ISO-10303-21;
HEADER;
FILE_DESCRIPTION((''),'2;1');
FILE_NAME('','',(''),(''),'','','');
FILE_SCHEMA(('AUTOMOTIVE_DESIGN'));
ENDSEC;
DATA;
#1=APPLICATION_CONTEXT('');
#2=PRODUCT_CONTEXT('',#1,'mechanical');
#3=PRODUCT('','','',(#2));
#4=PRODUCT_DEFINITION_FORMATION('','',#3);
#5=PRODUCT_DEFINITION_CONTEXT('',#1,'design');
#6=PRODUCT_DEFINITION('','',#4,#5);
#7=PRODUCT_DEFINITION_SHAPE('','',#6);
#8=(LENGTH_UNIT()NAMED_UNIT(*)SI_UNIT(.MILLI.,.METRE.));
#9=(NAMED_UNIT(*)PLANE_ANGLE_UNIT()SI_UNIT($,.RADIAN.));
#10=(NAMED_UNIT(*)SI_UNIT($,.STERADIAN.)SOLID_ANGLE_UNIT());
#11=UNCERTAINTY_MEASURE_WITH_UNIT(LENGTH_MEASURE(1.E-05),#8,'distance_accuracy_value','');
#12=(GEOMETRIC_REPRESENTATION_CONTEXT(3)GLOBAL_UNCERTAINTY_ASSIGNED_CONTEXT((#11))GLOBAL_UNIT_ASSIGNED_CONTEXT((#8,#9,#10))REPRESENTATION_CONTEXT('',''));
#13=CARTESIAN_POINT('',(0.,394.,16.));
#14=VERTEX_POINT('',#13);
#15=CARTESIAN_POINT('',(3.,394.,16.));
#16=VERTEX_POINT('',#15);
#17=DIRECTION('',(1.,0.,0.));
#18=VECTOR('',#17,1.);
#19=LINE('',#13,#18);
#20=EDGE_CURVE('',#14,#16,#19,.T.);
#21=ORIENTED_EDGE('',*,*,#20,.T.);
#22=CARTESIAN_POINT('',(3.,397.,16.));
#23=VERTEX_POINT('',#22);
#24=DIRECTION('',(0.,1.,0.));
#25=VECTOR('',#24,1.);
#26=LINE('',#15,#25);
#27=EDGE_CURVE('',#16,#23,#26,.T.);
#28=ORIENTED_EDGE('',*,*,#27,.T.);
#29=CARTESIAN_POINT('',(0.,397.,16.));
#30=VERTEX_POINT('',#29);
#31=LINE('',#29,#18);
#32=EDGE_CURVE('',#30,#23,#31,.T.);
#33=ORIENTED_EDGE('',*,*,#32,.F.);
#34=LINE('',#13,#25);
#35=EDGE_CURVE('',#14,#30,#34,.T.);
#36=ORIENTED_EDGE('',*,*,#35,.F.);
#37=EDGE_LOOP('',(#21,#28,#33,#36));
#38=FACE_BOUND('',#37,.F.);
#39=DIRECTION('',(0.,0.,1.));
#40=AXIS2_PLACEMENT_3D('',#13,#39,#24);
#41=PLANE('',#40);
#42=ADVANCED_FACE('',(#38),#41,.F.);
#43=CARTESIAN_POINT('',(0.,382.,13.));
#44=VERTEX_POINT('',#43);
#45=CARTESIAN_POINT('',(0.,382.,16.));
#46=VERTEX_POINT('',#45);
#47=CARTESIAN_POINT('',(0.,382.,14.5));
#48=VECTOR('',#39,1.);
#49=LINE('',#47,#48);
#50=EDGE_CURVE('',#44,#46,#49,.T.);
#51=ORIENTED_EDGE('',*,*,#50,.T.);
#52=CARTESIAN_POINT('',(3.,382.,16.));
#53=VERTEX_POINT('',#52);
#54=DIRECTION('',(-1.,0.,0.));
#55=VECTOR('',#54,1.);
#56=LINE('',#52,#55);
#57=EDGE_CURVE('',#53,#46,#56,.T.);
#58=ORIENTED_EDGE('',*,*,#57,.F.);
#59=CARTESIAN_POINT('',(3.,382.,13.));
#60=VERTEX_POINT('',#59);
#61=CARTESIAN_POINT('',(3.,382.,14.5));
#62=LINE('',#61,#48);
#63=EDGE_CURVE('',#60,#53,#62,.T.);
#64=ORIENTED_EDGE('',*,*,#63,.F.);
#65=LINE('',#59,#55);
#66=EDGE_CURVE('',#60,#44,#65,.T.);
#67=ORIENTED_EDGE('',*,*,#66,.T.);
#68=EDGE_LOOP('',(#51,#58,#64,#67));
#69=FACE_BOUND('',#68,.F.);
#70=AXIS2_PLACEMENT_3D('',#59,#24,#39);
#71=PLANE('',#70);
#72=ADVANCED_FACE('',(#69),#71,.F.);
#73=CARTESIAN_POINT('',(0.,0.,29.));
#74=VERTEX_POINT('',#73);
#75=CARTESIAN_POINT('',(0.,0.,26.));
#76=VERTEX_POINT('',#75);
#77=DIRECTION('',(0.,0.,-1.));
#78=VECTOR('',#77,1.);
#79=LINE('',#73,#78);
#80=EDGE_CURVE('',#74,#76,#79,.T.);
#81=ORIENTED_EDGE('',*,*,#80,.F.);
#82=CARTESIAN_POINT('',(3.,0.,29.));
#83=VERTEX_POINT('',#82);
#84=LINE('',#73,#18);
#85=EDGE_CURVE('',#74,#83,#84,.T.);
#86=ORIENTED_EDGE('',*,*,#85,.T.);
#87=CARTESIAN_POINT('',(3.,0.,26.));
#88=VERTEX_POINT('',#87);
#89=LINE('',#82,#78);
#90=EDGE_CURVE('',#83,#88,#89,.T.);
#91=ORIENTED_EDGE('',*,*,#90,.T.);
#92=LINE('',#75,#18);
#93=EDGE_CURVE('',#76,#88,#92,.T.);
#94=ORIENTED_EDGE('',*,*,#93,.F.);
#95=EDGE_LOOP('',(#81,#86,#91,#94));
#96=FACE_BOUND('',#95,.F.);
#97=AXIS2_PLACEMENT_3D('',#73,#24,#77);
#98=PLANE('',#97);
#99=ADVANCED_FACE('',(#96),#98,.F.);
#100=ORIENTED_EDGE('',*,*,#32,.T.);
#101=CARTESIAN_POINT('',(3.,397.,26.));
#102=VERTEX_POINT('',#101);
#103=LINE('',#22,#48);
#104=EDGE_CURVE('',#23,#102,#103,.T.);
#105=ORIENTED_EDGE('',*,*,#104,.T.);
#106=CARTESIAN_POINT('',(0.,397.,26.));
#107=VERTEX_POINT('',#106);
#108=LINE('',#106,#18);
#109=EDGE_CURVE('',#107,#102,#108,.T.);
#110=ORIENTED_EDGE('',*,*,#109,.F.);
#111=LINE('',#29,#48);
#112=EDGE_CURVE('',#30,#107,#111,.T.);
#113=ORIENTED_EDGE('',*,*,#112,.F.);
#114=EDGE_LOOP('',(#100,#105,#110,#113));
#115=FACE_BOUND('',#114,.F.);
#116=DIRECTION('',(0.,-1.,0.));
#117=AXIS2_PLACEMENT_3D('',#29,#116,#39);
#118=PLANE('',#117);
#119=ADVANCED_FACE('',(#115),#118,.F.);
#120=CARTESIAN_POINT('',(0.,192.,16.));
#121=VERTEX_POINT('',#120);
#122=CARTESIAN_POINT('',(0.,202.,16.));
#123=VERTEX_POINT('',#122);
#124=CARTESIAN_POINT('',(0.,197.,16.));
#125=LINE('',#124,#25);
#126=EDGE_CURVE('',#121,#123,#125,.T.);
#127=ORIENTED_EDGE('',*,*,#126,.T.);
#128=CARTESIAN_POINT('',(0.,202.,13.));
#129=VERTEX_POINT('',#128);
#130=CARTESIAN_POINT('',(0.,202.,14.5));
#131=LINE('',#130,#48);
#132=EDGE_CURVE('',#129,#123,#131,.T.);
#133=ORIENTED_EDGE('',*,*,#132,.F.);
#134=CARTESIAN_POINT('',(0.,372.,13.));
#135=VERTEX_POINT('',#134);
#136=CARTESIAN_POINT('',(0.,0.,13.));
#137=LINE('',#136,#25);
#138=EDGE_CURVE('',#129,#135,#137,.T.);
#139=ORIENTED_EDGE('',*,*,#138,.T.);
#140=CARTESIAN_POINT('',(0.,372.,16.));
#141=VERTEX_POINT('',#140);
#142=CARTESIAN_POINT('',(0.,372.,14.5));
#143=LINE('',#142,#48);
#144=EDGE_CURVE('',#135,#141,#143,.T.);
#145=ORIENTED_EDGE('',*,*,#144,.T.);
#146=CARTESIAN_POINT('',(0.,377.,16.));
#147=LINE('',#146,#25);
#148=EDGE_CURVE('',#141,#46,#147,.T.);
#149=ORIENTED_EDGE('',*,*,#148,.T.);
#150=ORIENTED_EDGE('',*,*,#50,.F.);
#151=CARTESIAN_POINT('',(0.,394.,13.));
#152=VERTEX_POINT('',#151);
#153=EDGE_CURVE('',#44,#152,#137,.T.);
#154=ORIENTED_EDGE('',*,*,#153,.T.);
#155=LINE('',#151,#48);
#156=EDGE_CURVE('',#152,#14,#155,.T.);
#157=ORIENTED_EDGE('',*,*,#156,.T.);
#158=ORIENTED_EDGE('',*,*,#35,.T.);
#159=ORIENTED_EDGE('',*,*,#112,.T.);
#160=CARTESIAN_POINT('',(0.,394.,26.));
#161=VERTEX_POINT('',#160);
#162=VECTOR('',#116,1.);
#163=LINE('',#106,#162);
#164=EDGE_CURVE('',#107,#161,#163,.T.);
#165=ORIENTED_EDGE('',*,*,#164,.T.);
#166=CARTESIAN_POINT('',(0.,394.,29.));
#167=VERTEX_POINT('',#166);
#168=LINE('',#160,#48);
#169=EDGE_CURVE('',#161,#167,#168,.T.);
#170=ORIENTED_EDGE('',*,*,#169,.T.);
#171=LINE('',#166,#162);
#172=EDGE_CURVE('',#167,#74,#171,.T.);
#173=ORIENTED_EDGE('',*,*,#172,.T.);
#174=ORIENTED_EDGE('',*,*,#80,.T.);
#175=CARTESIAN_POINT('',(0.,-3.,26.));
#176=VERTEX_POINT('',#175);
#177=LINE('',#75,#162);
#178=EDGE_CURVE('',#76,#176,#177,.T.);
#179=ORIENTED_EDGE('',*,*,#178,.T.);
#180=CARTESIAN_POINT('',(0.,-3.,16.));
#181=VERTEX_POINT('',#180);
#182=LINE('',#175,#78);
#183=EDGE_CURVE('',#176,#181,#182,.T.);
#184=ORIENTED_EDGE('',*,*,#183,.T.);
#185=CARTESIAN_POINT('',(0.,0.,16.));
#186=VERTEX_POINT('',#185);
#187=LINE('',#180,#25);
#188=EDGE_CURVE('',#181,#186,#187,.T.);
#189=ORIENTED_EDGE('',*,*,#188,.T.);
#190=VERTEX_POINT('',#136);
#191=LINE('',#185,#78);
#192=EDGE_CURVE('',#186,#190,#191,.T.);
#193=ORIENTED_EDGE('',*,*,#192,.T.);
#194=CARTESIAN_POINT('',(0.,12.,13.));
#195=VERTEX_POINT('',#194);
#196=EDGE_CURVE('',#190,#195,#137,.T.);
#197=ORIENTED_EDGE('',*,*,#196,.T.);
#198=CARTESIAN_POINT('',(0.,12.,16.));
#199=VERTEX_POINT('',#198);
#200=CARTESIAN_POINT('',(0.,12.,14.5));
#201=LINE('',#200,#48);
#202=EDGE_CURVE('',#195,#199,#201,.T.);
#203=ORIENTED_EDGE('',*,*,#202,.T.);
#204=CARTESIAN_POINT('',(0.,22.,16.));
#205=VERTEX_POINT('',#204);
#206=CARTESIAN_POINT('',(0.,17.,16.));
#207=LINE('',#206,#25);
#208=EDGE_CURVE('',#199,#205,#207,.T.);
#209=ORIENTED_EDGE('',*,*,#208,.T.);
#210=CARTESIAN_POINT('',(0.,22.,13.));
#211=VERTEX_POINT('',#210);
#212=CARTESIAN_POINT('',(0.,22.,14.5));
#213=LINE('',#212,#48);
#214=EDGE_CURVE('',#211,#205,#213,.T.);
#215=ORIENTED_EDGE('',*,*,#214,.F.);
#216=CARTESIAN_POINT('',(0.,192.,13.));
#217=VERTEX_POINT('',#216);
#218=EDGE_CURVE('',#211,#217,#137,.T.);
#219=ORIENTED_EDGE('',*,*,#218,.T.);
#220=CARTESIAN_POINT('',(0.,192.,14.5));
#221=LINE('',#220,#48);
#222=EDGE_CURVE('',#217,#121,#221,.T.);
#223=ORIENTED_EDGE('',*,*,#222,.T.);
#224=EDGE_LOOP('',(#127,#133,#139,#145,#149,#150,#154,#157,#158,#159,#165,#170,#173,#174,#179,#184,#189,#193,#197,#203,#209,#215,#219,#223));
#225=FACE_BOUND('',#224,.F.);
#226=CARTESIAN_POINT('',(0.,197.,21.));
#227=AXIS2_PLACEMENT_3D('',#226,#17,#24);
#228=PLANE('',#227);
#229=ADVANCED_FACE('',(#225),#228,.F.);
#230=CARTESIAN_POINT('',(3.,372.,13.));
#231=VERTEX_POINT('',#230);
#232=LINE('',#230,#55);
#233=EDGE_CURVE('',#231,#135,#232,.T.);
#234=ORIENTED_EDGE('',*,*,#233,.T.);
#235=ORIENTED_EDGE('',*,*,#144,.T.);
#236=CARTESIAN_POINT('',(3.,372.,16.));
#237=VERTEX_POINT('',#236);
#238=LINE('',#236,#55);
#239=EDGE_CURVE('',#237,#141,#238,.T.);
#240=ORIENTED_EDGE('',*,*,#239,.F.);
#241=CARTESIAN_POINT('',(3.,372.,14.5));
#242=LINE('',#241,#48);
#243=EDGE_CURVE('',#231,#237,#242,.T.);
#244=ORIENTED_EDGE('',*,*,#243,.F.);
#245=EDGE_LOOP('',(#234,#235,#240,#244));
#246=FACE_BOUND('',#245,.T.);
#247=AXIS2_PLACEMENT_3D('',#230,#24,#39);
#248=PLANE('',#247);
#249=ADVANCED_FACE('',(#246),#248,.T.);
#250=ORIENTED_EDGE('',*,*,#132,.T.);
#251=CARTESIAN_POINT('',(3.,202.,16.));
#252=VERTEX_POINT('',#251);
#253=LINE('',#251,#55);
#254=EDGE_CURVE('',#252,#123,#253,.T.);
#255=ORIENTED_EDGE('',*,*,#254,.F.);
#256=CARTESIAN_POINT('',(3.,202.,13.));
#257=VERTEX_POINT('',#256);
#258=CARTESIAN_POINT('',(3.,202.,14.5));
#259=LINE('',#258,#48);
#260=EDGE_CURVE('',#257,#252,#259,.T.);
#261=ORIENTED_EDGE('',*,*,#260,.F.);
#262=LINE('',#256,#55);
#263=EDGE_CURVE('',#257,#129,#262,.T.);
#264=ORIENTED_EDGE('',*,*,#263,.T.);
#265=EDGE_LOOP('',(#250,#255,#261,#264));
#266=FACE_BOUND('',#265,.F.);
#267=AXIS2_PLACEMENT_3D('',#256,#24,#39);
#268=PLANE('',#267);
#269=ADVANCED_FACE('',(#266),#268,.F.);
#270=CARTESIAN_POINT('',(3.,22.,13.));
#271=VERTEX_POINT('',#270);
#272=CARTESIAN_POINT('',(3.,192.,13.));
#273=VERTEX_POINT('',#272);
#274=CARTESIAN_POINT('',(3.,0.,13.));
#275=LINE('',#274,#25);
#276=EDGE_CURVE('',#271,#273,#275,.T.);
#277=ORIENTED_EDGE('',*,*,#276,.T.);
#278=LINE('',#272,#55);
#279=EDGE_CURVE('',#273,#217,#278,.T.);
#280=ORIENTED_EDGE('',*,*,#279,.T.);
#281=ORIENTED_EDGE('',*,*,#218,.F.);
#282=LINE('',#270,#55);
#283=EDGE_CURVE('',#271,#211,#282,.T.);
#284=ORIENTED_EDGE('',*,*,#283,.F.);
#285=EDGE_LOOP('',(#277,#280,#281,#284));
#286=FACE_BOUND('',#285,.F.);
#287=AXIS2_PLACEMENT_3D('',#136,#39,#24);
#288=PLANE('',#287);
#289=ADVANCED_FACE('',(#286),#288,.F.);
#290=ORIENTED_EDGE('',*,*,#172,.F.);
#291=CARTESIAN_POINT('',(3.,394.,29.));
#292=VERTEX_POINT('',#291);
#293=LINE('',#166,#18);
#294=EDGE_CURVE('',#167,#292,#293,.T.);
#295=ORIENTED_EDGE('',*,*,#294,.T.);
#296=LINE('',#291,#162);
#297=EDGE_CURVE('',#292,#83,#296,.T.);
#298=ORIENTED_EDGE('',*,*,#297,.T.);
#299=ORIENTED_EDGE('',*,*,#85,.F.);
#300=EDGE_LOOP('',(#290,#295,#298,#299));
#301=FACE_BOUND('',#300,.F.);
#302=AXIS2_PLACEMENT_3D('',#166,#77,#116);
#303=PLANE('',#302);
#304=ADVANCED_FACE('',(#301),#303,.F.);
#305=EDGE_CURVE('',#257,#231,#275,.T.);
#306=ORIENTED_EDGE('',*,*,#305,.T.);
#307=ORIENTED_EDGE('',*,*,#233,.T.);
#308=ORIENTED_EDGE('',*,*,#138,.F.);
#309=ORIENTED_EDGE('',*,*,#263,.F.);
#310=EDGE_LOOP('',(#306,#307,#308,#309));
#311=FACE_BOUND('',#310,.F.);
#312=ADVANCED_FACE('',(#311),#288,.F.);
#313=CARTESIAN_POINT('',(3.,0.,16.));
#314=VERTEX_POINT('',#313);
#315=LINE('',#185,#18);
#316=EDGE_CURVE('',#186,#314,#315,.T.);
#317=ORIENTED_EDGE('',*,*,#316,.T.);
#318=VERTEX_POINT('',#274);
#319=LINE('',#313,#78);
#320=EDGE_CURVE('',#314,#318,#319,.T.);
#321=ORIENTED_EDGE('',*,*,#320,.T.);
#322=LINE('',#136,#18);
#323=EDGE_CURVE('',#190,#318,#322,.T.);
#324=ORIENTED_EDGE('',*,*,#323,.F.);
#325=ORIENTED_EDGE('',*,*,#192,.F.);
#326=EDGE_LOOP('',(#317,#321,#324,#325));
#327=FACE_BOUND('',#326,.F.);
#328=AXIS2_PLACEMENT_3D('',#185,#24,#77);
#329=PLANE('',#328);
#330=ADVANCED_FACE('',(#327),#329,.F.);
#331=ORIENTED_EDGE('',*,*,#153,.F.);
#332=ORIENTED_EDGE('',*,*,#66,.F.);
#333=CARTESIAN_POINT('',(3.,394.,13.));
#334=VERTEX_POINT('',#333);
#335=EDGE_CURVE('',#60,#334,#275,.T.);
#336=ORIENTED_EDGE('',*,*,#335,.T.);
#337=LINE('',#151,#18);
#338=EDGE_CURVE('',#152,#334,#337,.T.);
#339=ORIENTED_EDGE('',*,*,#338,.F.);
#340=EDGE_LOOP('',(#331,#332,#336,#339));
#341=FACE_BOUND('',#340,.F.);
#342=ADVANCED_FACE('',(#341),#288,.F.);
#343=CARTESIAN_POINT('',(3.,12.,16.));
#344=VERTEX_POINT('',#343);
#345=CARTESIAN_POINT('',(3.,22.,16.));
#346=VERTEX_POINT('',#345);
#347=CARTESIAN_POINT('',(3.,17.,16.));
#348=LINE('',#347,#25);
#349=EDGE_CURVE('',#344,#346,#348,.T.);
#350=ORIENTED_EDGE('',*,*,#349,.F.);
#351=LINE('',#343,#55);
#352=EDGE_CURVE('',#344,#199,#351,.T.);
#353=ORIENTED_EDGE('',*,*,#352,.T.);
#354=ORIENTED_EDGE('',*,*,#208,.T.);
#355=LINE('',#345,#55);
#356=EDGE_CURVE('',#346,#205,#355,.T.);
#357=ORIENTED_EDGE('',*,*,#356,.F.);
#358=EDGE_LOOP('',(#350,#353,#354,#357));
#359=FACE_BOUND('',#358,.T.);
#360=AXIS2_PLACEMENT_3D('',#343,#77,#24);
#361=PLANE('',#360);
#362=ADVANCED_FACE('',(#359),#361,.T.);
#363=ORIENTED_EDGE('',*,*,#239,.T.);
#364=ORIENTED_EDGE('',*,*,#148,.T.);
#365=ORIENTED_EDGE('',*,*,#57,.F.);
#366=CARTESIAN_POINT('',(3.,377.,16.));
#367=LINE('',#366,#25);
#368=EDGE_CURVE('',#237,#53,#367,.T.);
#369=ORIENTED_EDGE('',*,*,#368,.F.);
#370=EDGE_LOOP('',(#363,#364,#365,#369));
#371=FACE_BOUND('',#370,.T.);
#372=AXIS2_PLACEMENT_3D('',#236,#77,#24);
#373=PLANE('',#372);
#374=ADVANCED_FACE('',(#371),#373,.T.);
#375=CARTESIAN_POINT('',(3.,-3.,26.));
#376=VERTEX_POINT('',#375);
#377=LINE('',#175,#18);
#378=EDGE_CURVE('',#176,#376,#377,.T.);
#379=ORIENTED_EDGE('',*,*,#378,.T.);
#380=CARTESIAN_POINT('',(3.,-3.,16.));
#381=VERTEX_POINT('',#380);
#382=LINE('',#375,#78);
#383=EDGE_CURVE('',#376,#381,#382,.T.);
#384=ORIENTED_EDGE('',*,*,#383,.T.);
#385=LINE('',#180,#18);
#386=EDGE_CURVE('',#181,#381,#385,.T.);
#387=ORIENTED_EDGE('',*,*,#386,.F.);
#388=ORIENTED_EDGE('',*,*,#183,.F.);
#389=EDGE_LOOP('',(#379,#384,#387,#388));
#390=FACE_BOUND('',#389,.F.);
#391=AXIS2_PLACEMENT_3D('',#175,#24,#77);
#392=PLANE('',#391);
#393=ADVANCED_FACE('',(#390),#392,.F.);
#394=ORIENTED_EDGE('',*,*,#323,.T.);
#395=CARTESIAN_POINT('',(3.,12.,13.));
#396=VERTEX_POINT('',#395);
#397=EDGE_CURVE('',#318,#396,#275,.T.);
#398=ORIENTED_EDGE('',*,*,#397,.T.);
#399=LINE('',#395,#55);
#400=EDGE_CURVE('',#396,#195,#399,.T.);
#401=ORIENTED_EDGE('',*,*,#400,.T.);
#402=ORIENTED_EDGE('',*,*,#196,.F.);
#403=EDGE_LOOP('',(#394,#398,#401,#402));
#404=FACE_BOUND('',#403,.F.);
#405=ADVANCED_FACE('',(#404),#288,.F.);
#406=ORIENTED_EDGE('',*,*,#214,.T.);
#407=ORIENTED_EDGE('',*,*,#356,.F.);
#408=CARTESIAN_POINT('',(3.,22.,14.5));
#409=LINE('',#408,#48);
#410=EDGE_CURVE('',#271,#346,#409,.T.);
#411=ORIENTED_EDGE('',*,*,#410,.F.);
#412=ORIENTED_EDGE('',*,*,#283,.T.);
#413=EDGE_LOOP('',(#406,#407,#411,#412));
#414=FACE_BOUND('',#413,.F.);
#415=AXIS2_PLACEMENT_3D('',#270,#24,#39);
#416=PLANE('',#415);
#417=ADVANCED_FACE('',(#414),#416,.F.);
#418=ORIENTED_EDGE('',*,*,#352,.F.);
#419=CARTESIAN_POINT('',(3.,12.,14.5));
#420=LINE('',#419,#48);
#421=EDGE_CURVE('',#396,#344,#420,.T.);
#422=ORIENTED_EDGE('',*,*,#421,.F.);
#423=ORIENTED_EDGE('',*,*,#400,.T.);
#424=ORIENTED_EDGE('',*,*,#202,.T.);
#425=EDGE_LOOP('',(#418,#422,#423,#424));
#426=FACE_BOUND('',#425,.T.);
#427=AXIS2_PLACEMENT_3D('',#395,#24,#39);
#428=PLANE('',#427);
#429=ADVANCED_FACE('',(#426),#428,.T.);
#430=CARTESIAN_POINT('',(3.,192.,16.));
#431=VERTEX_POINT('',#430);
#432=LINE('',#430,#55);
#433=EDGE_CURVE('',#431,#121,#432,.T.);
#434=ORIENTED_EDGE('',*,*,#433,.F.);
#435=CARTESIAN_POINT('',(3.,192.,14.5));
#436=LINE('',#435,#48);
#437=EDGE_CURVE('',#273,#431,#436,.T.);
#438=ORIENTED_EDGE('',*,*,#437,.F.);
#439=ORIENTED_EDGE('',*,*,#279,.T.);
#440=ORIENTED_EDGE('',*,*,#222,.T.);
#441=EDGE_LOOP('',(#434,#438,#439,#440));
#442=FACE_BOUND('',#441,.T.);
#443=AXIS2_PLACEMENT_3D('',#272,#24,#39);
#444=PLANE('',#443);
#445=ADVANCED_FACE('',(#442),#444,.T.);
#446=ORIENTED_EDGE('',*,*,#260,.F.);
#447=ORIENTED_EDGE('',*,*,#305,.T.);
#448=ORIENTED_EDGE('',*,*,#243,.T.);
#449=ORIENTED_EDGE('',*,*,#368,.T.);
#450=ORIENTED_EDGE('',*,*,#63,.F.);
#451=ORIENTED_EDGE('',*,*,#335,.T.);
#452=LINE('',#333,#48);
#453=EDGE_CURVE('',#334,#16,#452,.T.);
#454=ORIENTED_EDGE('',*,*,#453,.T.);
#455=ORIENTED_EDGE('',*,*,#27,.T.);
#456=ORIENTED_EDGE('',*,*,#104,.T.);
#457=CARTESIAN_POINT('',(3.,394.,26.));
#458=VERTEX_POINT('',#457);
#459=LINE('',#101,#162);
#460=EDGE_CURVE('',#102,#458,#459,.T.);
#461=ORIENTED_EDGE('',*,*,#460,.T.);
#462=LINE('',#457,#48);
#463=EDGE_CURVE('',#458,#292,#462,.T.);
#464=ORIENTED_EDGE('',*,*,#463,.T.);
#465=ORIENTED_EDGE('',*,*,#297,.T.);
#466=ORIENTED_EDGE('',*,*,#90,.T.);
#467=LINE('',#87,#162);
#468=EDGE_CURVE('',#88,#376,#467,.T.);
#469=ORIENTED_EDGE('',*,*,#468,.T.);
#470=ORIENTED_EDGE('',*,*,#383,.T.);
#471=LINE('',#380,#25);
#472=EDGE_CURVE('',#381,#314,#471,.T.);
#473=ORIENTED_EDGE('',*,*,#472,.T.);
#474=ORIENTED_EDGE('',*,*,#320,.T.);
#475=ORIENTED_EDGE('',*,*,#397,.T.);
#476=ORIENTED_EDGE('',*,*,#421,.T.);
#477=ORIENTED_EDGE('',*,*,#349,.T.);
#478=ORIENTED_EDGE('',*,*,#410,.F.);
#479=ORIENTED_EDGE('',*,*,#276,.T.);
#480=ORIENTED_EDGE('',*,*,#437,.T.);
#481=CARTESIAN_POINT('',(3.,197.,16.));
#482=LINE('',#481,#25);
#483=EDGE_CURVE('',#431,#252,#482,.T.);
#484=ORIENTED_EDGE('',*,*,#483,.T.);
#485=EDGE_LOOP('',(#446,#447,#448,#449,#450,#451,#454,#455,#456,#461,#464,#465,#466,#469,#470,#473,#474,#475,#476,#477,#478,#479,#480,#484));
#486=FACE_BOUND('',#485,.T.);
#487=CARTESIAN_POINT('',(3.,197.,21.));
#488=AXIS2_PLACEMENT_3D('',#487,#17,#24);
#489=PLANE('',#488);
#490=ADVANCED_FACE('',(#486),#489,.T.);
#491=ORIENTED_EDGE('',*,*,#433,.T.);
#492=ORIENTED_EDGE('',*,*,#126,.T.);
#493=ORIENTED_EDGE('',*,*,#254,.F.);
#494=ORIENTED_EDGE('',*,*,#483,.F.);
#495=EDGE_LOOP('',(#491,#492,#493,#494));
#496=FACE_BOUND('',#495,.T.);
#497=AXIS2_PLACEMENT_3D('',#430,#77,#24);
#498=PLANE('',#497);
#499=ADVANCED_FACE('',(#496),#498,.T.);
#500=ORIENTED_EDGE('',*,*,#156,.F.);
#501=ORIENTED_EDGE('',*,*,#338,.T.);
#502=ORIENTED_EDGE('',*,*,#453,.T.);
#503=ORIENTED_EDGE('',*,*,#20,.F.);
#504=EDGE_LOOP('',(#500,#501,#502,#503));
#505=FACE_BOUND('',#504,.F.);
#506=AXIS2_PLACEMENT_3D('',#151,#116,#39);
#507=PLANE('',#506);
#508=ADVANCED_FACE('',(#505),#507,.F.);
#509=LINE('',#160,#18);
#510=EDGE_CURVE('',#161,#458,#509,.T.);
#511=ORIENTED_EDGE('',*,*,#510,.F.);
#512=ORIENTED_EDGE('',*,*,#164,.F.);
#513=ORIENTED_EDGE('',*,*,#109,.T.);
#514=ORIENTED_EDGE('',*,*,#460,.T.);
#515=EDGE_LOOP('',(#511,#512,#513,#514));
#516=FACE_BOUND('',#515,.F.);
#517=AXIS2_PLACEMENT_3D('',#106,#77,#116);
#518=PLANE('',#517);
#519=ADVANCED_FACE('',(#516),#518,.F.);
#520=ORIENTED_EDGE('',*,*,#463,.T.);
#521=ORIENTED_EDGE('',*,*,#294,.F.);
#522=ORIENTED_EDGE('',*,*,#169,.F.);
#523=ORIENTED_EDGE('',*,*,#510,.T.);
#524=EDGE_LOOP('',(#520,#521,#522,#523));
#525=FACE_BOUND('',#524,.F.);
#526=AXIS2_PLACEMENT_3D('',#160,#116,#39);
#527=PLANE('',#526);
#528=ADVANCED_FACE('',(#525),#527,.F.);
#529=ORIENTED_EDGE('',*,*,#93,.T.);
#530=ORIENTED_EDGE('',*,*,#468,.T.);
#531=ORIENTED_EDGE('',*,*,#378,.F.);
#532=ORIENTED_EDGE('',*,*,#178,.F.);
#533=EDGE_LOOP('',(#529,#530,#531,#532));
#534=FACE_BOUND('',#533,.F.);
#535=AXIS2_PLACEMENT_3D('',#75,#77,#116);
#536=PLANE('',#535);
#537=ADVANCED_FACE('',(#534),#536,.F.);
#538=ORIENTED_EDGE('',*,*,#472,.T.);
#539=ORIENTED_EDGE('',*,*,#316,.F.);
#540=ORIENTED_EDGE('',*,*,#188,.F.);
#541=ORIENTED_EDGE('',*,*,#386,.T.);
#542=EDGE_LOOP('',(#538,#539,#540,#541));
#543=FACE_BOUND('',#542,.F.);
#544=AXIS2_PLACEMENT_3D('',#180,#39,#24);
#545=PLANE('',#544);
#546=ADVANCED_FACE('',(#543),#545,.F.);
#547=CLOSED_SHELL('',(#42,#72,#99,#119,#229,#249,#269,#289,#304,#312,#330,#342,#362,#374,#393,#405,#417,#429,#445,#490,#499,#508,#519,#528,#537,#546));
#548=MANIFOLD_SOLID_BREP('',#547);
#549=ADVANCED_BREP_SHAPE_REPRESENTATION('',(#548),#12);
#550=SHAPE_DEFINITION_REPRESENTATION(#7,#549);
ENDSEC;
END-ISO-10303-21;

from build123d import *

# Parameters (mm, degrees)
PAD003_DEPTH           = 3
SKETCH005_W            = 10
SKETCH005_H            = 3
POCKET001_DEPTH        = 3
LINEARPATTERN001_COUNT = 3
LINEARPATTERN001_PITCH = 180


with BuildPart() as part:
    # Sketch004 → Pad003 (new body)
    with BuildSketch(Plane.YZ):
        Polygon((394, 0), (0, 0), (0, -3), (-3, -3), (-3, -13), (0, -13), (0, -16), (394, -16), (394, -13), (397, -13), (397, -3), (394, -3), align=None)
    extrude(amount=PAD003_DEPTH)

    # Sketch005 → Pocket001 (cut)
    with BuildSketch(Plane.YZ.offset(3)):
        with Locations((17, -14.5)):
            Rectangle(SKETCH005_W, SKETCH005_H)
    pocket001 = extrude(amount=-POCKET001_DEPTH, mode=Mode.SUBTRACT)

    # LinearPattern001: Pocket001 ×3
    with Locations(*[(0, i * LINEARPATTERN001_PITCH, 0) for i in range(1, LINEARPATTERN001_COUNT)]):
        add(pocket001, mode=Mode.SUBTRACT)


with BuildPart() as part_1:
    # Body003 placement: moved
    add(part.part.moved(Location((0, 0, 29))))


solid = part_1.part
